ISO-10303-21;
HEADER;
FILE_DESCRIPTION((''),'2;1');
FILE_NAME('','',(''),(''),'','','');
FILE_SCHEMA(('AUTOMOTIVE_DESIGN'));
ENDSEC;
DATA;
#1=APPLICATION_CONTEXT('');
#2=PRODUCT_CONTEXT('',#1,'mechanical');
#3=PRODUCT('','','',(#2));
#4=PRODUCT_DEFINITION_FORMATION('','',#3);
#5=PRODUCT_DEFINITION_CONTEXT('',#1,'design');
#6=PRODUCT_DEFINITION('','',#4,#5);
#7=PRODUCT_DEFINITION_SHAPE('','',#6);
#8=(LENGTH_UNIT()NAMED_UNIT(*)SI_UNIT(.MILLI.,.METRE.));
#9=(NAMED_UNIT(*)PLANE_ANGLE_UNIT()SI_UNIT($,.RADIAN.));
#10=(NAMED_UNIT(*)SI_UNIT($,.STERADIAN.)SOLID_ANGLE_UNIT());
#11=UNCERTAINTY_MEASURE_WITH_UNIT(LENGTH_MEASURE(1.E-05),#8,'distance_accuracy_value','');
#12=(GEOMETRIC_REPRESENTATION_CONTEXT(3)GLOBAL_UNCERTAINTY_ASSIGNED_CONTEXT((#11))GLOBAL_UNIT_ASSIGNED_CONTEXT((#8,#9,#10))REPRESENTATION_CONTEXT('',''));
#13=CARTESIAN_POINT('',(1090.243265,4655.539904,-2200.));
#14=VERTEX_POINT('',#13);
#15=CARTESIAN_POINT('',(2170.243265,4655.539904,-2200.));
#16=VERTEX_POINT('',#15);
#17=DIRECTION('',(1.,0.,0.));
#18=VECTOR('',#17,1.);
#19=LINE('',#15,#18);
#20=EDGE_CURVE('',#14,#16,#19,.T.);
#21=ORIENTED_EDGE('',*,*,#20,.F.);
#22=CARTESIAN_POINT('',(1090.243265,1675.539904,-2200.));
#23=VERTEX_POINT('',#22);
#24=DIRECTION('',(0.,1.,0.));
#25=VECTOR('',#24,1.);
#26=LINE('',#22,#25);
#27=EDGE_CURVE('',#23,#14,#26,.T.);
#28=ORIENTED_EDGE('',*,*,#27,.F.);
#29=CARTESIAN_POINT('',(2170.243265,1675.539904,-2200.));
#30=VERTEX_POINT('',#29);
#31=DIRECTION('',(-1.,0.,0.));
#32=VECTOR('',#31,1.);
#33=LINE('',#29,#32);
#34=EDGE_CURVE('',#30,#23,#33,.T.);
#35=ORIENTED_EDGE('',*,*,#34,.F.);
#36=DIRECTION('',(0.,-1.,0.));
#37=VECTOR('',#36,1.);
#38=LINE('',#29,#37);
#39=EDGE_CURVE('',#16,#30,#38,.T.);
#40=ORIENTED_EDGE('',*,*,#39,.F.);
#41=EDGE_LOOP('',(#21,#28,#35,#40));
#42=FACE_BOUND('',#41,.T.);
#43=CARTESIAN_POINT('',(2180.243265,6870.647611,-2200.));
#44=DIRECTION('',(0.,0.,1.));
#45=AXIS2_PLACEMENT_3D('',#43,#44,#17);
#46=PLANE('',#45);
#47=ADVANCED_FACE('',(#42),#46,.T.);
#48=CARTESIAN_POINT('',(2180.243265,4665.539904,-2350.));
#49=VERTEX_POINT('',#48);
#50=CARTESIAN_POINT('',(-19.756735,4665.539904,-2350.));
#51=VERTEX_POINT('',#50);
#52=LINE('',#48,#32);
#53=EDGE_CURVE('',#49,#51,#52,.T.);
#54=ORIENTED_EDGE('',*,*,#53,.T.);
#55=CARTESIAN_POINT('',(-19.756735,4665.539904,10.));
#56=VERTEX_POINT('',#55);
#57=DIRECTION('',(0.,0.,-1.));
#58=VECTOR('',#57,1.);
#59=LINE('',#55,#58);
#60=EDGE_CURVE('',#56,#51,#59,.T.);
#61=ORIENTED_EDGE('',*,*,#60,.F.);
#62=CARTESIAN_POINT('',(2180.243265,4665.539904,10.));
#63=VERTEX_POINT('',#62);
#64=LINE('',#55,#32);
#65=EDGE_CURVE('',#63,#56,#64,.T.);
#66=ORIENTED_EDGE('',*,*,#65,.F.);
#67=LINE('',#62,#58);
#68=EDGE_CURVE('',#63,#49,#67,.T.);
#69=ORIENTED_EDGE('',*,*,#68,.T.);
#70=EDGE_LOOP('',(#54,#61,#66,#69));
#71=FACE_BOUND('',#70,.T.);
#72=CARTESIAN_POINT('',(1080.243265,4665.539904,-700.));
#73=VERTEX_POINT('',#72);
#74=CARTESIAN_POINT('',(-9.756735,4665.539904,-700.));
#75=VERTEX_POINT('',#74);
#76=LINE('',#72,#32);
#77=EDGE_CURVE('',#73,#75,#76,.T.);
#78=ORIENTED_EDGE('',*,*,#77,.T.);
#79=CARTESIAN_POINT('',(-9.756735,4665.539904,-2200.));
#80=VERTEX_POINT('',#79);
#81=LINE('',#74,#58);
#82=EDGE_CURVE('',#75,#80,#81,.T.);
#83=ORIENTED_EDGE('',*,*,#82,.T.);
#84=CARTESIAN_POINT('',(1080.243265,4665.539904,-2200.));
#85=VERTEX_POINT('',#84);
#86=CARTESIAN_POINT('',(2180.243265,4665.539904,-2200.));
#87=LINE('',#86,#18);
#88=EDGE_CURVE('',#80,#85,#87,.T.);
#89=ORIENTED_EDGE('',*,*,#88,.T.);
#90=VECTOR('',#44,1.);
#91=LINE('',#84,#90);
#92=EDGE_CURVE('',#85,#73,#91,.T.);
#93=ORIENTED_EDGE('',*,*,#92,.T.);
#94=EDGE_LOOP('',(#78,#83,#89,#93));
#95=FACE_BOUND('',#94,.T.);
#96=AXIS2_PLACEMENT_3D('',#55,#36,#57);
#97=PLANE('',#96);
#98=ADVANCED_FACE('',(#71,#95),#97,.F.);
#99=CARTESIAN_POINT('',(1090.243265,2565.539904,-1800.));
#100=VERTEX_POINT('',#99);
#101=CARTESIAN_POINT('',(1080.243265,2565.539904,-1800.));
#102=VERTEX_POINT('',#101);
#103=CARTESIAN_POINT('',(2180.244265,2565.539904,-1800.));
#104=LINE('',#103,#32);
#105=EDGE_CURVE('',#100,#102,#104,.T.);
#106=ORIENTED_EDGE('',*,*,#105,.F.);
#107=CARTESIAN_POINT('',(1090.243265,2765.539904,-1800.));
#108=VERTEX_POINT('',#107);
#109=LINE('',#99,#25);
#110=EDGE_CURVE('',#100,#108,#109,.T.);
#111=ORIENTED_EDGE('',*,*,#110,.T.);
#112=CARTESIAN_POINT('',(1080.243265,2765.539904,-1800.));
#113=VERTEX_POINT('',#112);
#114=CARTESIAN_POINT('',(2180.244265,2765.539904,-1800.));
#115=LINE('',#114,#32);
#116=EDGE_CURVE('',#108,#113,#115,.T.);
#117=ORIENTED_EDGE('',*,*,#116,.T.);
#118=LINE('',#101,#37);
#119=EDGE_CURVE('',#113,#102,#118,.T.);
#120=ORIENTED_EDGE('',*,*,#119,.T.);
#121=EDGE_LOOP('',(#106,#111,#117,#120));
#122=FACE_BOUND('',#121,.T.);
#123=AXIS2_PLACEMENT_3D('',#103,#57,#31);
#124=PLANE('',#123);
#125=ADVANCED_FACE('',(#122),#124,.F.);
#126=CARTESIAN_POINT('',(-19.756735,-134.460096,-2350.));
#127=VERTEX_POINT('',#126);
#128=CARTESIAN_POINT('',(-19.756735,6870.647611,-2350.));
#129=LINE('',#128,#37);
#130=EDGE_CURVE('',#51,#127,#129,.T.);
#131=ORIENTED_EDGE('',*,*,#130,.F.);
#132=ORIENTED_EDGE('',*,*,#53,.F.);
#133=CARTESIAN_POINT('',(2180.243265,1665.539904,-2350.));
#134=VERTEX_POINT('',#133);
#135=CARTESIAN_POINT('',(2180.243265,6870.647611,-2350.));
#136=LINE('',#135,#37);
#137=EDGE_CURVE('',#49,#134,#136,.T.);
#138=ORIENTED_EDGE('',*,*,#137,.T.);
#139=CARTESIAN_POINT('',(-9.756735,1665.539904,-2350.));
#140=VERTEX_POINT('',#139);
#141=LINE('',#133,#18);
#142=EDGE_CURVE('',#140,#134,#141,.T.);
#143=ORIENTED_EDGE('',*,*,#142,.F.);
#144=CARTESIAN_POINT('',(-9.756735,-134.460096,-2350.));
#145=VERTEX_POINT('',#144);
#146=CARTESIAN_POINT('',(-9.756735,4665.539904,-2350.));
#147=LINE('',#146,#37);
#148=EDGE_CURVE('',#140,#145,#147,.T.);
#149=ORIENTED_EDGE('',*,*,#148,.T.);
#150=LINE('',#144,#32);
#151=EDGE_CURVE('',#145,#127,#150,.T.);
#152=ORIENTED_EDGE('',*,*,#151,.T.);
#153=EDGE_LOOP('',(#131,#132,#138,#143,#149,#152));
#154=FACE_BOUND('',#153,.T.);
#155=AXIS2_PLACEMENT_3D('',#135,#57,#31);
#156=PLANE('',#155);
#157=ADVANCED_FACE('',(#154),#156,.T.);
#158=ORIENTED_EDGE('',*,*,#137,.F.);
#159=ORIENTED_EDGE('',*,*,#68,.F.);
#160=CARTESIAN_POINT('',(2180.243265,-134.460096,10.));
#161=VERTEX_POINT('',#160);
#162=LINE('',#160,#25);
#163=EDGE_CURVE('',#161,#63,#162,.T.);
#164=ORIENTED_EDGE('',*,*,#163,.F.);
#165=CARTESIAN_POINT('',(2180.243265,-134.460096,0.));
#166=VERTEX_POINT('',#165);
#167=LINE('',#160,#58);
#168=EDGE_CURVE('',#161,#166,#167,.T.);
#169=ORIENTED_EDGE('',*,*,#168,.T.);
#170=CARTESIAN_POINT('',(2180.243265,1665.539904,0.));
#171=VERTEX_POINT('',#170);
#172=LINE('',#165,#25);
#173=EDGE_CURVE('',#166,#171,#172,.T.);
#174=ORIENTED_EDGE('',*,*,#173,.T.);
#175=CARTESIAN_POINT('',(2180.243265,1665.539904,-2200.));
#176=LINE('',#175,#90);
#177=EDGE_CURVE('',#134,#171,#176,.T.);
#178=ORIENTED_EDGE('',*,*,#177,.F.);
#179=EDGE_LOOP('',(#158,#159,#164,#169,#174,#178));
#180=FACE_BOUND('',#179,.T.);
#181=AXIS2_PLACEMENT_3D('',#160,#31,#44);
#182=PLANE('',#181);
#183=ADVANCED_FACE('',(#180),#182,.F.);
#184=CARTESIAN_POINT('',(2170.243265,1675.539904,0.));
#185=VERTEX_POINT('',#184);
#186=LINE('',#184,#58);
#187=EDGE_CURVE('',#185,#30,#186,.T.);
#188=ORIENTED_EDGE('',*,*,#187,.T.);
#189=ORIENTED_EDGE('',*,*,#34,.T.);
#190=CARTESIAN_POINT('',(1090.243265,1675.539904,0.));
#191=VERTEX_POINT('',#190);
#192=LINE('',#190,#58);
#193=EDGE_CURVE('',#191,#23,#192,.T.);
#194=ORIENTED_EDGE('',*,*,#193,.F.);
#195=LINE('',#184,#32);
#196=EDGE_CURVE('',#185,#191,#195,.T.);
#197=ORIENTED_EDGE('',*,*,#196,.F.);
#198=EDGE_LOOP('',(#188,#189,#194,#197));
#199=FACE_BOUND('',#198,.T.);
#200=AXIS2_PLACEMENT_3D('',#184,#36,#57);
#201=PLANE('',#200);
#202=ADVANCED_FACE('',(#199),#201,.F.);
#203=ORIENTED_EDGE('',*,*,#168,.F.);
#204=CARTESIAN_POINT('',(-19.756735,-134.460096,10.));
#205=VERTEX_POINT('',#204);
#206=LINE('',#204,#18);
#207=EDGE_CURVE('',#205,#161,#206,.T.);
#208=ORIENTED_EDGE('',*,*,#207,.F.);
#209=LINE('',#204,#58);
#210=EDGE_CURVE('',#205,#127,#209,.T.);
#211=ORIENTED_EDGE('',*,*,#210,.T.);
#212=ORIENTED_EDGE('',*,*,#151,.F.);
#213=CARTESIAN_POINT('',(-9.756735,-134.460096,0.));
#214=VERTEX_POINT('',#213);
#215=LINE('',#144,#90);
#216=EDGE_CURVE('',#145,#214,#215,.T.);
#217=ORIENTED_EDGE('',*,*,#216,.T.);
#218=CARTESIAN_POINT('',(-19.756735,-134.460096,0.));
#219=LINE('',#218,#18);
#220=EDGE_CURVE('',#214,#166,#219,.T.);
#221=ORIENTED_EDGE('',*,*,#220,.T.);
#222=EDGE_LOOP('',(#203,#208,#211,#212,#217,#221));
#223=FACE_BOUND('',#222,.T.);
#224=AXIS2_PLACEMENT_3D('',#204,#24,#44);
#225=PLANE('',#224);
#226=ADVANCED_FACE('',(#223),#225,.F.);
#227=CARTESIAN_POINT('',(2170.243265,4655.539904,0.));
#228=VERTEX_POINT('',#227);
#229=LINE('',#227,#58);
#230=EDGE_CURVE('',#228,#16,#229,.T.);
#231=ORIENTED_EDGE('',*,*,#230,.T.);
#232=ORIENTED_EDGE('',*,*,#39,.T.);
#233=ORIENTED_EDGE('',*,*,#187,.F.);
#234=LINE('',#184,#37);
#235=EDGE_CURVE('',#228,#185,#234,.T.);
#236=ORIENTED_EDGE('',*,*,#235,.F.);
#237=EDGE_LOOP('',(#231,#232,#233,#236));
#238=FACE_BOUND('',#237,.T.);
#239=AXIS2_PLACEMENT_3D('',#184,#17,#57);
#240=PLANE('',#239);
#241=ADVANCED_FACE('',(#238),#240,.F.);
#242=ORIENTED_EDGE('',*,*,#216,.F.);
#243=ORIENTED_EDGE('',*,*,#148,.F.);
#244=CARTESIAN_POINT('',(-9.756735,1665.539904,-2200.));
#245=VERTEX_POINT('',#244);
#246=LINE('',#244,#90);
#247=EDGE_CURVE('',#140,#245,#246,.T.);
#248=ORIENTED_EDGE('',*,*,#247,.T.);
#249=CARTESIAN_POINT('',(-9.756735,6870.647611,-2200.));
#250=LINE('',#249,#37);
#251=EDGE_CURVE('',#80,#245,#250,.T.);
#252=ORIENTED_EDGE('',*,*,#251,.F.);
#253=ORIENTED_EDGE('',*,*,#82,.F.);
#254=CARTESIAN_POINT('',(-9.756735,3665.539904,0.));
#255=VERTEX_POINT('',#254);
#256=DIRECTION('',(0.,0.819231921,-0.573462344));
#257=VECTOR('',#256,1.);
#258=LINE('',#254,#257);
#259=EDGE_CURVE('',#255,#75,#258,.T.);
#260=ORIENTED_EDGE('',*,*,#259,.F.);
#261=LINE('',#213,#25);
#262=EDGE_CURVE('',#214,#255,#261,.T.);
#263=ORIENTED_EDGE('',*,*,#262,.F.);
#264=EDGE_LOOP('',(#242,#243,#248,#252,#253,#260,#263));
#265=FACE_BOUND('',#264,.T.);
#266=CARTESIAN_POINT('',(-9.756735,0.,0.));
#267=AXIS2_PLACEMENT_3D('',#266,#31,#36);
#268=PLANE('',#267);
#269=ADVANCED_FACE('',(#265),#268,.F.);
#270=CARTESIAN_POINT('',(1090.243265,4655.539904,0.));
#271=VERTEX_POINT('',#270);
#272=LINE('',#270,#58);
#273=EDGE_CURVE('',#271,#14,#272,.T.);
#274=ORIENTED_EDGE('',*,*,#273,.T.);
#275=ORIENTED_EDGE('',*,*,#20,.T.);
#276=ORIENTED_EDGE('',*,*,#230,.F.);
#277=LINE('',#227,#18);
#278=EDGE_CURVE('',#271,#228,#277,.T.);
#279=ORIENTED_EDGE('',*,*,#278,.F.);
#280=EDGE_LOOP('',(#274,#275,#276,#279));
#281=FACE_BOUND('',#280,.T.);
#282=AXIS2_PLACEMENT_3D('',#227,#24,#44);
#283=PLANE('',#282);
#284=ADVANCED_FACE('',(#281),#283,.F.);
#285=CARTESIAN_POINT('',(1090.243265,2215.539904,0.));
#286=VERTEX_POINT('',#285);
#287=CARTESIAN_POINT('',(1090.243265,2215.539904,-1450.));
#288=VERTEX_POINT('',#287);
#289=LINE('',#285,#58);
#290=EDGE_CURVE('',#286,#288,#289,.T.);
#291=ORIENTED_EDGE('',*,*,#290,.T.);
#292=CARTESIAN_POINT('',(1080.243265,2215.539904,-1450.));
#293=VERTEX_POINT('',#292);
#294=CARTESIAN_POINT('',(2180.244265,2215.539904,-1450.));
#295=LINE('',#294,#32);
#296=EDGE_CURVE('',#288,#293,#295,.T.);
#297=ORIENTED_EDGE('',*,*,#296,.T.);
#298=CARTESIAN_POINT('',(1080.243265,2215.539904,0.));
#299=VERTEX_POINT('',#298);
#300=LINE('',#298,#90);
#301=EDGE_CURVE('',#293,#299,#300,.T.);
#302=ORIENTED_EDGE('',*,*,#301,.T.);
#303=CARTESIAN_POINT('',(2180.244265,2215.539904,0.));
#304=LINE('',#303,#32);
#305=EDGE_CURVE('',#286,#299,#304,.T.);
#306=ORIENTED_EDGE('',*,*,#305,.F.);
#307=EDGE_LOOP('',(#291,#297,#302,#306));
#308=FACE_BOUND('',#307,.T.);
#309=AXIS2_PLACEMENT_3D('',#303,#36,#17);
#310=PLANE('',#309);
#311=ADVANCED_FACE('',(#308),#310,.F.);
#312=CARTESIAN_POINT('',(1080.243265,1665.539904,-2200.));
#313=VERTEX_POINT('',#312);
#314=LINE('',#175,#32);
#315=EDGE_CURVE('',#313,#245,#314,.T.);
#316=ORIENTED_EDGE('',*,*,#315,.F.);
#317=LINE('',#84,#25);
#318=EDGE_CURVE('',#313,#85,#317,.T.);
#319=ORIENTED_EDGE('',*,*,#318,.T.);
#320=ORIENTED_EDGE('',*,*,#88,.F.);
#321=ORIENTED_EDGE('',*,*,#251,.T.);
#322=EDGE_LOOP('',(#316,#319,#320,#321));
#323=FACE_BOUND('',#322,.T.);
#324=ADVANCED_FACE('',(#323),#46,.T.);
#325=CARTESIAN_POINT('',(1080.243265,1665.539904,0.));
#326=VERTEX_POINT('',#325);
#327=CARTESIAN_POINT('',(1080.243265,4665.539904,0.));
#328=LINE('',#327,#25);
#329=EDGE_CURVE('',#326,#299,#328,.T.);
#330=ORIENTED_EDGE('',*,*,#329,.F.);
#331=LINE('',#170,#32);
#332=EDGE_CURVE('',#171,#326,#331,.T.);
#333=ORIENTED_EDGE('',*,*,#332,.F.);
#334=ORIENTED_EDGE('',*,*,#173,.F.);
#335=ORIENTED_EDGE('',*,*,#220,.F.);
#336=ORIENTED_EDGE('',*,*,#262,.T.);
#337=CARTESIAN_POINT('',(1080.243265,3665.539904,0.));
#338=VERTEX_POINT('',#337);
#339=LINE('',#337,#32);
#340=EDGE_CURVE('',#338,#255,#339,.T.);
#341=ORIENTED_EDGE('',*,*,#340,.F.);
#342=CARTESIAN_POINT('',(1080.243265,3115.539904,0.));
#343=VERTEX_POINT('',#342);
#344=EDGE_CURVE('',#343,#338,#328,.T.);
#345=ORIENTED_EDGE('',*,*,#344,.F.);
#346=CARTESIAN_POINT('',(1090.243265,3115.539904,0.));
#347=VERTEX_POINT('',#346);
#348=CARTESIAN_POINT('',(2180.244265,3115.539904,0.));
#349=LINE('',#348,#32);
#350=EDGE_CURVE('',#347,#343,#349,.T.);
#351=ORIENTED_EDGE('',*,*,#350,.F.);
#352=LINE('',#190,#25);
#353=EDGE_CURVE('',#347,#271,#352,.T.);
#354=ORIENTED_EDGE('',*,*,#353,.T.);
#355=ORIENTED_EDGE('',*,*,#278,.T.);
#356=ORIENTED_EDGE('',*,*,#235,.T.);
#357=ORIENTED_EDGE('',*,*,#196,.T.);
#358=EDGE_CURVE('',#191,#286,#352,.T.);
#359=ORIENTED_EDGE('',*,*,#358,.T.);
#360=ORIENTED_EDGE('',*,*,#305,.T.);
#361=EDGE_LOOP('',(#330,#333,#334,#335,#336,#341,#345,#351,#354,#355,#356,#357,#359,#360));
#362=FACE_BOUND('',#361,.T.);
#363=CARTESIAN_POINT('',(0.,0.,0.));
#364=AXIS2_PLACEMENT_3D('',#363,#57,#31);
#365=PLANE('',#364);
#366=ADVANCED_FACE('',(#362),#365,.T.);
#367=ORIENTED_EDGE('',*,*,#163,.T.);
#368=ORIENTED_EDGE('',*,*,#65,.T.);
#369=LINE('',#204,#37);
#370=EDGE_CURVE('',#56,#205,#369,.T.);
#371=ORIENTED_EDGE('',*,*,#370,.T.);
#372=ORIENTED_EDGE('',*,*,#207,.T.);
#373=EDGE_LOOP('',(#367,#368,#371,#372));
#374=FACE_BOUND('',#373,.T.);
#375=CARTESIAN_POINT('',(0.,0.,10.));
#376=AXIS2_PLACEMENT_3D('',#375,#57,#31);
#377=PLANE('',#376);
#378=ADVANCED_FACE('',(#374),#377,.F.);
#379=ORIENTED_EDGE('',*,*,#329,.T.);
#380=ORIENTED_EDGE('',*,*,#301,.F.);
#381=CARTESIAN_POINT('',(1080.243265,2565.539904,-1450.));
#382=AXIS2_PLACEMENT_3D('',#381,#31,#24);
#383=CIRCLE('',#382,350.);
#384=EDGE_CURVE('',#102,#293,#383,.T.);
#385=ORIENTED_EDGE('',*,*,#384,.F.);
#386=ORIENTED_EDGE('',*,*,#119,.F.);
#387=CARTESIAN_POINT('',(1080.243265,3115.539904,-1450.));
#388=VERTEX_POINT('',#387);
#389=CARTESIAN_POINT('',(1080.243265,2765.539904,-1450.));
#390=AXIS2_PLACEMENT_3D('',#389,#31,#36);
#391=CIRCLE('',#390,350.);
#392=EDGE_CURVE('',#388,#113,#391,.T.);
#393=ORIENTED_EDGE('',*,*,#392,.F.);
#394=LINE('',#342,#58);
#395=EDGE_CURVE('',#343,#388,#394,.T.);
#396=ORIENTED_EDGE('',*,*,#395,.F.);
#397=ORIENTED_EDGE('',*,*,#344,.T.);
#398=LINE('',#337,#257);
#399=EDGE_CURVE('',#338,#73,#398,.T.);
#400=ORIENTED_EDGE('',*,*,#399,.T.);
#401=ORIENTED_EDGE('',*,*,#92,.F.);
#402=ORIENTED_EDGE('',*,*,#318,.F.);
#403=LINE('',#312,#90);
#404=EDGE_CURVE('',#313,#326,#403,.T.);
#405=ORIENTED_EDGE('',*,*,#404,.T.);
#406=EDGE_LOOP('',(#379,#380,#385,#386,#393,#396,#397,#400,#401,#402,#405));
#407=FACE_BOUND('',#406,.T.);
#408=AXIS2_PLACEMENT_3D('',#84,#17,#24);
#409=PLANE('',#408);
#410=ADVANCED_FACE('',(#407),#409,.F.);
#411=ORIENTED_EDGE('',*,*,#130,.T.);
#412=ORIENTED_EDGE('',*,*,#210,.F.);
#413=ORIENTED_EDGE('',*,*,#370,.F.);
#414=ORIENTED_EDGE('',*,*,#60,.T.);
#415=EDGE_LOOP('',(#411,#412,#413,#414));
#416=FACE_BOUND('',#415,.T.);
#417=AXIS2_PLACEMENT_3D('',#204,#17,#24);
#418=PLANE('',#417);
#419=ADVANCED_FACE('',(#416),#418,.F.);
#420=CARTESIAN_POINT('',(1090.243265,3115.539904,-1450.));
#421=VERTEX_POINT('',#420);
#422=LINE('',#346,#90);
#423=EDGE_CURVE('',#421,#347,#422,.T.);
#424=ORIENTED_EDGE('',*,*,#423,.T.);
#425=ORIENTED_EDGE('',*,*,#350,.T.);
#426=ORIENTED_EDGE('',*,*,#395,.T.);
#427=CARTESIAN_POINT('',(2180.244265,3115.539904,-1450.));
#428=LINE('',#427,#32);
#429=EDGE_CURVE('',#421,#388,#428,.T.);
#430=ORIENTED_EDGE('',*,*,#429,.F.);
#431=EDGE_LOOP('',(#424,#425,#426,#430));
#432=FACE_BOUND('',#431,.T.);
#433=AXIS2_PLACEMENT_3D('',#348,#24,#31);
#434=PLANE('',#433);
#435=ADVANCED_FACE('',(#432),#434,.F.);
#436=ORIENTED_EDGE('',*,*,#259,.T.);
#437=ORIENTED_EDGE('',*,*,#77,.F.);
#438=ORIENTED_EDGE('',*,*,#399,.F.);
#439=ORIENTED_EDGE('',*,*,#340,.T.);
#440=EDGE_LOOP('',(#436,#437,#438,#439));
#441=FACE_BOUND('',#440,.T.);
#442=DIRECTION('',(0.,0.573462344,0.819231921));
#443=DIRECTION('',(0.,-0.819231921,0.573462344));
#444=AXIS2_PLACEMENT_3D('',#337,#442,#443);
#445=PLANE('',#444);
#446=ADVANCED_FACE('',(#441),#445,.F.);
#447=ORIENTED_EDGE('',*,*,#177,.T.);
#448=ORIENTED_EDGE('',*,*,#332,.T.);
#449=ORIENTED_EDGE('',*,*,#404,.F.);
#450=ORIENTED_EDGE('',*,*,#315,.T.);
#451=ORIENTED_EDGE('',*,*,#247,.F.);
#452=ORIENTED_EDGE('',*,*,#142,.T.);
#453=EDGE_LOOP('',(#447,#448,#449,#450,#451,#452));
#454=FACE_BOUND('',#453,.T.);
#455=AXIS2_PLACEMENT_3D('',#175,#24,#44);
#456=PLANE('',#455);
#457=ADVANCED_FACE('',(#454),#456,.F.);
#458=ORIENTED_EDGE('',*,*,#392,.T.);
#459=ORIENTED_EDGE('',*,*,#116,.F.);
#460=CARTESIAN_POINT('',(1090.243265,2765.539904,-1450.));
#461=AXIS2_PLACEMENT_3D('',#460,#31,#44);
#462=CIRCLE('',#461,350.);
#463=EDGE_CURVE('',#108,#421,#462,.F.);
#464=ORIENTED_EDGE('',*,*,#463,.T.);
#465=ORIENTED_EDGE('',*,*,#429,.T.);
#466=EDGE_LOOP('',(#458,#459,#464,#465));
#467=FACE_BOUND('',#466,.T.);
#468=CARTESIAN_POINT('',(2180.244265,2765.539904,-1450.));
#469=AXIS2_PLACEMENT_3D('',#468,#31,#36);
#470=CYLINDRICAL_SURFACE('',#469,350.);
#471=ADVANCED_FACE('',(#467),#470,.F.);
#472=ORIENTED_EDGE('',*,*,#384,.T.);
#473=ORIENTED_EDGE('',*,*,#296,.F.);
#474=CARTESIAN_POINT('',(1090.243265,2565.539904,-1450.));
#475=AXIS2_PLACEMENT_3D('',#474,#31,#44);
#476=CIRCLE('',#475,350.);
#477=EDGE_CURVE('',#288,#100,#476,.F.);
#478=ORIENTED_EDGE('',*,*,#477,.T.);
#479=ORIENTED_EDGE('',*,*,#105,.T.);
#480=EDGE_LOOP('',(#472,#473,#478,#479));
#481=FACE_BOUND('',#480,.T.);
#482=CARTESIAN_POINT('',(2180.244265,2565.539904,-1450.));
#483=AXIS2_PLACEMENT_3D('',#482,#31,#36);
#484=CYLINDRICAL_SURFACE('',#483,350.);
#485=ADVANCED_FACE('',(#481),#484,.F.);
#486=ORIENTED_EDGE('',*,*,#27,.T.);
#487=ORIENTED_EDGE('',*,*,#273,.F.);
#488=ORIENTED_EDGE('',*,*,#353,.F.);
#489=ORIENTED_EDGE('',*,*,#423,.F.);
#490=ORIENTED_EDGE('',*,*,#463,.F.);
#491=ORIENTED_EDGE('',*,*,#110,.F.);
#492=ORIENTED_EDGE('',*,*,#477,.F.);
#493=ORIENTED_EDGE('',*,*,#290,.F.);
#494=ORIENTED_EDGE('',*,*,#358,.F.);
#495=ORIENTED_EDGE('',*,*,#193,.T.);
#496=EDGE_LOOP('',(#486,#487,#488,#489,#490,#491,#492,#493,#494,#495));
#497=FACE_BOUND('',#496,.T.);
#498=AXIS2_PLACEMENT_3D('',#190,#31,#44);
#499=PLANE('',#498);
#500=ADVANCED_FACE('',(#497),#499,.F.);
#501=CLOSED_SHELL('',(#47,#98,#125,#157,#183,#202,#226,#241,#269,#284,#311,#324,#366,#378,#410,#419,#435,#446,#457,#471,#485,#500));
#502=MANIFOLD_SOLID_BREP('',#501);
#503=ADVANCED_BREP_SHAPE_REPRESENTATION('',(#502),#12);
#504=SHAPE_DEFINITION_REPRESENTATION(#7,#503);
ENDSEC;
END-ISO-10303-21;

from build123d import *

# Parameters (mm, degrees)
ESQUISSE1_W             = 2200
ESQUISSE1_H             = 4800
BOSS_EXTRU_1_DEPTH      = 10
BOSS_EXTRU_3_DEPTH      = 1100
ESQUISSE11_W            = 1100
ESQUISSE11_H            = 3000
BOSS_EXTRU_5_DEPTH      = 2200
ESQUISSE12_W            = 1080
ESQUISSE12_H            = 2980
ENL_V_MAT_EXTRU_1_DEPTH = 2200
ENL_V_MAT_EXTRU_2_REACH = 5276.207
ESQUISSE14_W            = 2200
ESQUISSE14_H            = 150
BOSS_EXTRU_12_DEPTH     = 3000
BOSS_EXTRU_13_DEPTH     = 10


with BuildPart() as part:
    # Esquisse1 → Boss.-Extru.1 (new body)
    with BuildSketch(Plane.XY):
        with Locations((1080.243264597, 2265.539904099)):
            Rectangle(ESQUISSE1_W, ESQUISSE1_H)
    extrude(amount=BOSS_EXTRU_1_DEPTH)

    # Esquisse3 → Boss.-Extru.3 (add)
    with BuildSketch(Plane.ZY.offset(19.756735403)):
        Polygon((0, 4665.539904099), (-700, 4665.539904099), (0, 3665.539904099), align=None)
    extrude(amount=-BOSS_EXTRU_3_DEPTH)

    # Esquisse11 → Boss.-Extru.5 (add)
    with BuildSketch(Plane(origin=(0, 0, 0), x_dir=(-1, 0, 0), z_dir=(0, 0, -1))):
        with Locations((-1630.243264597, 3165.539904099)):
            Rectangle(ESQUISSE11_W, ESQUISSE11_H)
    extrude(amount=BOSS_EXTRU_5_DEPTH)

    # Esquisse12 → Enlèv. mat.-Extru.1 (cut)
    with BuildSketch(Plane(origin=(0, 0, -2200), x_dir=(-1, 0, 0), z_dir=(0, 0, -1))):
        with Locations((-1630.243264597, 3165.539904099)):
            Rectangle(ESQUISSE12_W, ESQUISSE12_H)
    extrude(amount=-ENL_V_MAT_EXTRU_1_DEPTH, mode=Mode.SUBTRACT)

    # Esquisse13 → Enlèv. mat.-Extru.2 (cut, up to next)
    with BuildSketch(Plane.ZY.offset(-1080.243264597), mode=Mode.PRIVATE) as enl_v_mat_extru_2_sk1:
        with BuildLine():
            Line((0, 2215.539904099), (-1450, 2215.539904099))
            ThreePointArc((-1450, 2215.539904099), (-1697.487373415, 2318.052530684), (-1800, 2565.539904099))
            Line((-1800, 2565.539904099), (-1800, 2765.539904099))
            ThreePointArc((-1800, 2765.539904099), (-1697.487373415, 3013.027277514), (-1450, 3115.539904099))
            Line((-1450, 3115.539904099), (0, 3115.539904099))
            Line((0, 3115.539904099), (0, 2215.539904099))
        make_face()
    enl_v_mat_extru_2_tool1 = extrude(enl_v_mat_extru_2_sk1.sketch, amount=-ENL_V_MAT_EXTRU_2_REACH, mode=Mode.PRIVATE) & part.part
    add(enl_v_mat_extru_2_tool1.solids().sort_by_distance((1080.243265, 2665.539904, -872.432919))[0], mode=Mode.SUBTRACT)

    # Esquisse14 → Boss.-Extru.12 (add)
    with BuildSketch(Plane.XZ.offset(-1665.539904099)):
        with Locations((1080.243264597, -2275)):
            Rectangle(ESQUISSE14_W, ESQUISSE14_H)
    extrude(amount=-BOSS_EXTRU_12_DEPTH)

    # Esquisse16 → Boss.-Extru.13 (add)
    with BuildSketch(Plane.ZY.offset(19.756735403)):
        Polygon((0, -134.460095901), (-1538.867991766, -134.460095901), (-2350, -134.460095901), (-2350, 4665.539904099), (-700, 4665.539904099), (0, 3665.539904099), align=None)
    extrude(amount=-BOSS_EXTRU_13_DEPTH)


solid = part.part
